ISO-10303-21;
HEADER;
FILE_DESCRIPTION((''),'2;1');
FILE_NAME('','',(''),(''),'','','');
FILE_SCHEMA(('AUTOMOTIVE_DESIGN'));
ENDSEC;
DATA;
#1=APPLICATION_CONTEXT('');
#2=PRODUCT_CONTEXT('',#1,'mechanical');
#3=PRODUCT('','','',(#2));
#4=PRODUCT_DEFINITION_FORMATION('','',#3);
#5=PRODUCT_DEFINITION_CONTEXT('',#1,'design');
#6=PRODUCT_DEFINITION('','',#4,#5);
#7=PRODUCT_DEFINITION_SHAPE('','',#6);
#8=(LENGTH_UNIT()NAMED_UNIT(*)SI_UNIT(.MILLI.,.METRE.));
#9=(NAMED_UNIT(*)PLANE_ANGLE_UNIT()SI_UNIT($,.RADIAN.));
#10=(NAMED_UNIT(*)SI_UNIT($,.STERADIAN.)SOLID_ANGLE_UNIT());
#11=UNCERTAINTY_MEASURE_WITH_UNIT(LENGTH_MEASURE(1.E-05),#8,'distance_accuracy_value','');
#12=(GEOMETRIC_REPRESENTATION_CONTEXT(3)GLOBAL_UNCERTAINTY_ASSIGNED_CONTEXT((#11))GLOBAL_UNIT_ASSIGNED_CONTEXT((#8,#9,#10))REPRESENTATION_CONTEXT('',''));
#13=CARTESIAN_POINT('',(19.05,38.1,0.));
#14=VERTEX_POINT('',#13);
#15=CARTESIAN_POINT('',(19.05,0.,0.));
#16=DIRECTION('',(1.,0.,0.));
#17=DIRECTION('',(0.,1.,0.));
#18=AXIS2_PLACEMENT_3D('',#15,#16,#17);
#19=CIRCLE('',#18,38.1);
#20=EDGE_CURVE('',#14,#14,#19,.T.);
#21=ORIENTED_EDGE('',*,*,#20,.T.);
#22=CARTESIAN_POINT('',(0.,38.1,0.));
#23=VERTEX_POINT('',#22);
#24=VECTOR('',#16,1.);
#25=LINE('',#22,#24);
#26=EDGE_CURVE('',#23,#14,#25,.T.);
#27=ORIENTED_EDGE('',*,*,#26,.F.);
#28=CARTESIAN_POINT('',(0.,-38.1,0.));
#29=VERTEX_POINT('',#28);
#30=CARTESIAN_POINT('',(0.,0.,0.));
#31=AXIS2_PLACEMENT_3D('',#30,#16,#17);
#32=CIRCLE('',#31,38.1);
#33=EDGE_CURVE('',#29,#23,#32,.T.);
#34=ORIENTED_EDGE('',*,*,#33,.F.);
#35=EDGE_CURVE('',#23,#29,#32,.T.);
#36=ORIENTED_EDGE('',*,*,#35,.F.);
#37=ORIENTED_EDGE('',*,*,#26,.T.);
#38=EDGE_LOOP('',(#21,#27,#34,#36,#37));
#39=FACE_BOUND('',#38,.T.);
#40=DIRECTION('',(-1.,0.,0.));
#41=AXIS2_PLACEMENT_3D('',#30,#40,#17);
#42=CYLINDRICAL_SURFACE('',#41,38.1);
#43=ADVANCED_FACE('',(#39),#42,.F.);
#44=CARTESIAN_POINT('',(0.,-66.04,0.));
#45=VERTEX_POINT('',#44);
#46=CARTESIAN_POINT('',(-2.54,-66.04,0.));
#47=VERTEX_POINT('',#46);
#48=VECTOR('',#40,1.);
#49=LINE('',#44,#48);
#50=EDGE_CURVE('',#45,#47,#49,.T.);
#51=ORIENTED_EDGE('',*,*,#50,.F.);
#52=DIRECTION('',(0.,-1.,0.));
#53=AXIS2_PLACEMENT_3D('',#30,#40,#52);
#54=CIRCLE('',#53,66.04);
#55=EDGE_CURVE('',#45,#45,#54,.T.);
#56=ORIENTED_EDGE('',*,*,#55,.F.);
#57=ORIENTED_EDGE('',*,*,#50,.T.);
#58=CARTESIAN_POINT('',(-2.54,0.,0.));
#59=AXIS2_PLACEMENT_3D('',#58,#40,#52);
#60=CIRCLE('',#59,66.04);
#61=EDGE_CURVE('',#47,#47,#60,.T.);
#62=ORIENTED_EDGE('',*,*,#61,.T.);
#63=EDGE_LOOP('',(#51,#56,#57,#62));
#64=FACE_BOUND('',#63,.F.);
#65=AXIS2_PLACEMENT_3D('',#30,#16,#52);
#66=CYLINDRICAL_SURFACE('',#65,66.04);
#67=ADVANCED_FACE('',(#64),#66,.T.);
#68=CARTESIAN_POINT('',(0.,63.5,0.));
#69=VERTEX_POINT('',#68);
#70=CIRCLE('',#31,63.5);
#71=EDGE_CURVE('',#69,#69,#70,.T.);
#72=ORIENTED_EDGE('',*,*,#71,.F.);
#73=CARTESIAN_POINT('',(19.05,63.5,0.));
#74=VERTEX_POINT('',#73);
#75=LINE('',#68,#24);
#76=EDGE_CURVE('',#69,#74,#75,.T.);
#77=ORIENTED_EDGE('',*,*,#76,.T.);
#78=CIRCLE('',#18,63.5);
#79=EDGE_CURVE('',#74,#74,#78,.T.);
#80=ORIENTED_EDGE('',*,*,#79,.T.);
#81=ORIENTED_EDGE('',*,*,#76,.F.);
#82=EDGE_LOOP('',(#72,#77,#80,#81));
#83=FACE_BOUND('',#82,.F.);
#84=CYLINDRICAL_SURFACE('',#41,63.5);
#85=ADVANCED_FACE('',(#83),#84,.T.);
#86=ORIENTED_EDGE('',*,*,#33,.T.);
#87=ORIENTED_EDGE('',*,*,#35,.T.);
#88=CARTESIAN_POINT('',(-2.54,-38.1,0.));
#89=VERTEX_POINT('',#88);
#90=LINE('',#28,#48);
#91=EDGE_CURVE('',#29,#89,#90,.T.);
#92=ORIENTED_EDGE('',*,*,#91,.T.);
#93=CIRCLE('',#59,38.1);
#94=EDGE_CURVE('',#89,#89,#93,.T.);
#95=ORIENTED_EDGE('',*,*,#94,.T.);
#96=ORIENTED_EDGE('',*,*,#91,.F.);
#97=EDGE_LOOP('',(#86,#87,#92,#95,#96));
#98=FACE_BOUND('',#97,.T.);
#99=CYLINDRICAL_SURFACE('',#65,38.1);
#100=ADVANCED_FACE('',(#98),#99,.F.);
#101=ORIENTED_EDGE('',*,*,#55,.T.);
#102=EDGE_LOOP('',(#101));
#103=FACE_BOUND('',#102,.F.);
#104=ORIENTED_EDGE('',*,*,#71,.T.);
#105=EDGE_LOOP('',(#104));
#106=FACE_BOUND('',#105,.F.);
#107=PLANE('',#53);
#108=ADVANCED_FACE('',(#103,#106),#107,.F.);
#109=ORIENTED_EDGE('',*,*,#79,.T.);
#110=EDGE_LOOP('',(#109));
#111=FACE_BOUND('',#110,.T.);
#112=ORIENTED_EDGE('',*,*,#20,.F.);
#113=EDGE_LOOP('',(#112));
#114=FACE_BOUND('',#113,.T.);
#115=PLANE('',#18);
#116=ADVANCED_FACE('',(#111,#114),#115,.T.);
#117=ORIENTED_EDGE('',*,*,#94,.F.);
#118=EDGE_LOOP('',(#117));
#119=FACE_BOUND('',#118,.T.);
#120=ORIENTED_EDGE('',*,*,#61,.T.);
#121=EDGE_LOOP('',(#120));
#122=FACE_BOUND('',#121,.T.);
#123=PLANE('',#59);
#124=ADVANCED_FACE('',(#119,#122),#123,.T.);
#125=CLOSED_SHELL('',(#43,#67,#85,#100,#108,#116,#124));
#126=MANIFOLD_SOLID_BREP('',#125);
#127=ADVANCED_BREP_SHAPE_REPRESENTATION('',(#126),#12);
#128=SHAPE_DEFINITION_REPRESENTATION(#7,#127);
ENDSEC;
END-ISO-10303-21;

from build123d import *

# Parameters (mm, degrees)
F0_R     = 63.5
F0_R_2   = 38.1
F1_DEPTH = 19.05
F2_R     = 66.04
F2_R_2   = 38.1
F3_DEPTH = 2.54


with BuildPart() as f1:
    # F0 (on Right) → F1 (new body)
    with BuildSketch(Plane.YZ):
        Circle(F0_R)
        Circle(F0_R_2, mode=Mode.SUBTRACT)
    extrude(amount=F1_DEPTH)

    # F2 (on face) → F3 (join)
    with BuildSketch(Plane(origin=(0, 0, 0), x_dir=(0, -1, 0), z_dir=(-1, 0, 0))):
        Circle(F2_R)
        Circle(F2_R_2, mode=Mode.SUBTRACT)
    extrude(amount=F3_DEPTH)


solid = f1.part
